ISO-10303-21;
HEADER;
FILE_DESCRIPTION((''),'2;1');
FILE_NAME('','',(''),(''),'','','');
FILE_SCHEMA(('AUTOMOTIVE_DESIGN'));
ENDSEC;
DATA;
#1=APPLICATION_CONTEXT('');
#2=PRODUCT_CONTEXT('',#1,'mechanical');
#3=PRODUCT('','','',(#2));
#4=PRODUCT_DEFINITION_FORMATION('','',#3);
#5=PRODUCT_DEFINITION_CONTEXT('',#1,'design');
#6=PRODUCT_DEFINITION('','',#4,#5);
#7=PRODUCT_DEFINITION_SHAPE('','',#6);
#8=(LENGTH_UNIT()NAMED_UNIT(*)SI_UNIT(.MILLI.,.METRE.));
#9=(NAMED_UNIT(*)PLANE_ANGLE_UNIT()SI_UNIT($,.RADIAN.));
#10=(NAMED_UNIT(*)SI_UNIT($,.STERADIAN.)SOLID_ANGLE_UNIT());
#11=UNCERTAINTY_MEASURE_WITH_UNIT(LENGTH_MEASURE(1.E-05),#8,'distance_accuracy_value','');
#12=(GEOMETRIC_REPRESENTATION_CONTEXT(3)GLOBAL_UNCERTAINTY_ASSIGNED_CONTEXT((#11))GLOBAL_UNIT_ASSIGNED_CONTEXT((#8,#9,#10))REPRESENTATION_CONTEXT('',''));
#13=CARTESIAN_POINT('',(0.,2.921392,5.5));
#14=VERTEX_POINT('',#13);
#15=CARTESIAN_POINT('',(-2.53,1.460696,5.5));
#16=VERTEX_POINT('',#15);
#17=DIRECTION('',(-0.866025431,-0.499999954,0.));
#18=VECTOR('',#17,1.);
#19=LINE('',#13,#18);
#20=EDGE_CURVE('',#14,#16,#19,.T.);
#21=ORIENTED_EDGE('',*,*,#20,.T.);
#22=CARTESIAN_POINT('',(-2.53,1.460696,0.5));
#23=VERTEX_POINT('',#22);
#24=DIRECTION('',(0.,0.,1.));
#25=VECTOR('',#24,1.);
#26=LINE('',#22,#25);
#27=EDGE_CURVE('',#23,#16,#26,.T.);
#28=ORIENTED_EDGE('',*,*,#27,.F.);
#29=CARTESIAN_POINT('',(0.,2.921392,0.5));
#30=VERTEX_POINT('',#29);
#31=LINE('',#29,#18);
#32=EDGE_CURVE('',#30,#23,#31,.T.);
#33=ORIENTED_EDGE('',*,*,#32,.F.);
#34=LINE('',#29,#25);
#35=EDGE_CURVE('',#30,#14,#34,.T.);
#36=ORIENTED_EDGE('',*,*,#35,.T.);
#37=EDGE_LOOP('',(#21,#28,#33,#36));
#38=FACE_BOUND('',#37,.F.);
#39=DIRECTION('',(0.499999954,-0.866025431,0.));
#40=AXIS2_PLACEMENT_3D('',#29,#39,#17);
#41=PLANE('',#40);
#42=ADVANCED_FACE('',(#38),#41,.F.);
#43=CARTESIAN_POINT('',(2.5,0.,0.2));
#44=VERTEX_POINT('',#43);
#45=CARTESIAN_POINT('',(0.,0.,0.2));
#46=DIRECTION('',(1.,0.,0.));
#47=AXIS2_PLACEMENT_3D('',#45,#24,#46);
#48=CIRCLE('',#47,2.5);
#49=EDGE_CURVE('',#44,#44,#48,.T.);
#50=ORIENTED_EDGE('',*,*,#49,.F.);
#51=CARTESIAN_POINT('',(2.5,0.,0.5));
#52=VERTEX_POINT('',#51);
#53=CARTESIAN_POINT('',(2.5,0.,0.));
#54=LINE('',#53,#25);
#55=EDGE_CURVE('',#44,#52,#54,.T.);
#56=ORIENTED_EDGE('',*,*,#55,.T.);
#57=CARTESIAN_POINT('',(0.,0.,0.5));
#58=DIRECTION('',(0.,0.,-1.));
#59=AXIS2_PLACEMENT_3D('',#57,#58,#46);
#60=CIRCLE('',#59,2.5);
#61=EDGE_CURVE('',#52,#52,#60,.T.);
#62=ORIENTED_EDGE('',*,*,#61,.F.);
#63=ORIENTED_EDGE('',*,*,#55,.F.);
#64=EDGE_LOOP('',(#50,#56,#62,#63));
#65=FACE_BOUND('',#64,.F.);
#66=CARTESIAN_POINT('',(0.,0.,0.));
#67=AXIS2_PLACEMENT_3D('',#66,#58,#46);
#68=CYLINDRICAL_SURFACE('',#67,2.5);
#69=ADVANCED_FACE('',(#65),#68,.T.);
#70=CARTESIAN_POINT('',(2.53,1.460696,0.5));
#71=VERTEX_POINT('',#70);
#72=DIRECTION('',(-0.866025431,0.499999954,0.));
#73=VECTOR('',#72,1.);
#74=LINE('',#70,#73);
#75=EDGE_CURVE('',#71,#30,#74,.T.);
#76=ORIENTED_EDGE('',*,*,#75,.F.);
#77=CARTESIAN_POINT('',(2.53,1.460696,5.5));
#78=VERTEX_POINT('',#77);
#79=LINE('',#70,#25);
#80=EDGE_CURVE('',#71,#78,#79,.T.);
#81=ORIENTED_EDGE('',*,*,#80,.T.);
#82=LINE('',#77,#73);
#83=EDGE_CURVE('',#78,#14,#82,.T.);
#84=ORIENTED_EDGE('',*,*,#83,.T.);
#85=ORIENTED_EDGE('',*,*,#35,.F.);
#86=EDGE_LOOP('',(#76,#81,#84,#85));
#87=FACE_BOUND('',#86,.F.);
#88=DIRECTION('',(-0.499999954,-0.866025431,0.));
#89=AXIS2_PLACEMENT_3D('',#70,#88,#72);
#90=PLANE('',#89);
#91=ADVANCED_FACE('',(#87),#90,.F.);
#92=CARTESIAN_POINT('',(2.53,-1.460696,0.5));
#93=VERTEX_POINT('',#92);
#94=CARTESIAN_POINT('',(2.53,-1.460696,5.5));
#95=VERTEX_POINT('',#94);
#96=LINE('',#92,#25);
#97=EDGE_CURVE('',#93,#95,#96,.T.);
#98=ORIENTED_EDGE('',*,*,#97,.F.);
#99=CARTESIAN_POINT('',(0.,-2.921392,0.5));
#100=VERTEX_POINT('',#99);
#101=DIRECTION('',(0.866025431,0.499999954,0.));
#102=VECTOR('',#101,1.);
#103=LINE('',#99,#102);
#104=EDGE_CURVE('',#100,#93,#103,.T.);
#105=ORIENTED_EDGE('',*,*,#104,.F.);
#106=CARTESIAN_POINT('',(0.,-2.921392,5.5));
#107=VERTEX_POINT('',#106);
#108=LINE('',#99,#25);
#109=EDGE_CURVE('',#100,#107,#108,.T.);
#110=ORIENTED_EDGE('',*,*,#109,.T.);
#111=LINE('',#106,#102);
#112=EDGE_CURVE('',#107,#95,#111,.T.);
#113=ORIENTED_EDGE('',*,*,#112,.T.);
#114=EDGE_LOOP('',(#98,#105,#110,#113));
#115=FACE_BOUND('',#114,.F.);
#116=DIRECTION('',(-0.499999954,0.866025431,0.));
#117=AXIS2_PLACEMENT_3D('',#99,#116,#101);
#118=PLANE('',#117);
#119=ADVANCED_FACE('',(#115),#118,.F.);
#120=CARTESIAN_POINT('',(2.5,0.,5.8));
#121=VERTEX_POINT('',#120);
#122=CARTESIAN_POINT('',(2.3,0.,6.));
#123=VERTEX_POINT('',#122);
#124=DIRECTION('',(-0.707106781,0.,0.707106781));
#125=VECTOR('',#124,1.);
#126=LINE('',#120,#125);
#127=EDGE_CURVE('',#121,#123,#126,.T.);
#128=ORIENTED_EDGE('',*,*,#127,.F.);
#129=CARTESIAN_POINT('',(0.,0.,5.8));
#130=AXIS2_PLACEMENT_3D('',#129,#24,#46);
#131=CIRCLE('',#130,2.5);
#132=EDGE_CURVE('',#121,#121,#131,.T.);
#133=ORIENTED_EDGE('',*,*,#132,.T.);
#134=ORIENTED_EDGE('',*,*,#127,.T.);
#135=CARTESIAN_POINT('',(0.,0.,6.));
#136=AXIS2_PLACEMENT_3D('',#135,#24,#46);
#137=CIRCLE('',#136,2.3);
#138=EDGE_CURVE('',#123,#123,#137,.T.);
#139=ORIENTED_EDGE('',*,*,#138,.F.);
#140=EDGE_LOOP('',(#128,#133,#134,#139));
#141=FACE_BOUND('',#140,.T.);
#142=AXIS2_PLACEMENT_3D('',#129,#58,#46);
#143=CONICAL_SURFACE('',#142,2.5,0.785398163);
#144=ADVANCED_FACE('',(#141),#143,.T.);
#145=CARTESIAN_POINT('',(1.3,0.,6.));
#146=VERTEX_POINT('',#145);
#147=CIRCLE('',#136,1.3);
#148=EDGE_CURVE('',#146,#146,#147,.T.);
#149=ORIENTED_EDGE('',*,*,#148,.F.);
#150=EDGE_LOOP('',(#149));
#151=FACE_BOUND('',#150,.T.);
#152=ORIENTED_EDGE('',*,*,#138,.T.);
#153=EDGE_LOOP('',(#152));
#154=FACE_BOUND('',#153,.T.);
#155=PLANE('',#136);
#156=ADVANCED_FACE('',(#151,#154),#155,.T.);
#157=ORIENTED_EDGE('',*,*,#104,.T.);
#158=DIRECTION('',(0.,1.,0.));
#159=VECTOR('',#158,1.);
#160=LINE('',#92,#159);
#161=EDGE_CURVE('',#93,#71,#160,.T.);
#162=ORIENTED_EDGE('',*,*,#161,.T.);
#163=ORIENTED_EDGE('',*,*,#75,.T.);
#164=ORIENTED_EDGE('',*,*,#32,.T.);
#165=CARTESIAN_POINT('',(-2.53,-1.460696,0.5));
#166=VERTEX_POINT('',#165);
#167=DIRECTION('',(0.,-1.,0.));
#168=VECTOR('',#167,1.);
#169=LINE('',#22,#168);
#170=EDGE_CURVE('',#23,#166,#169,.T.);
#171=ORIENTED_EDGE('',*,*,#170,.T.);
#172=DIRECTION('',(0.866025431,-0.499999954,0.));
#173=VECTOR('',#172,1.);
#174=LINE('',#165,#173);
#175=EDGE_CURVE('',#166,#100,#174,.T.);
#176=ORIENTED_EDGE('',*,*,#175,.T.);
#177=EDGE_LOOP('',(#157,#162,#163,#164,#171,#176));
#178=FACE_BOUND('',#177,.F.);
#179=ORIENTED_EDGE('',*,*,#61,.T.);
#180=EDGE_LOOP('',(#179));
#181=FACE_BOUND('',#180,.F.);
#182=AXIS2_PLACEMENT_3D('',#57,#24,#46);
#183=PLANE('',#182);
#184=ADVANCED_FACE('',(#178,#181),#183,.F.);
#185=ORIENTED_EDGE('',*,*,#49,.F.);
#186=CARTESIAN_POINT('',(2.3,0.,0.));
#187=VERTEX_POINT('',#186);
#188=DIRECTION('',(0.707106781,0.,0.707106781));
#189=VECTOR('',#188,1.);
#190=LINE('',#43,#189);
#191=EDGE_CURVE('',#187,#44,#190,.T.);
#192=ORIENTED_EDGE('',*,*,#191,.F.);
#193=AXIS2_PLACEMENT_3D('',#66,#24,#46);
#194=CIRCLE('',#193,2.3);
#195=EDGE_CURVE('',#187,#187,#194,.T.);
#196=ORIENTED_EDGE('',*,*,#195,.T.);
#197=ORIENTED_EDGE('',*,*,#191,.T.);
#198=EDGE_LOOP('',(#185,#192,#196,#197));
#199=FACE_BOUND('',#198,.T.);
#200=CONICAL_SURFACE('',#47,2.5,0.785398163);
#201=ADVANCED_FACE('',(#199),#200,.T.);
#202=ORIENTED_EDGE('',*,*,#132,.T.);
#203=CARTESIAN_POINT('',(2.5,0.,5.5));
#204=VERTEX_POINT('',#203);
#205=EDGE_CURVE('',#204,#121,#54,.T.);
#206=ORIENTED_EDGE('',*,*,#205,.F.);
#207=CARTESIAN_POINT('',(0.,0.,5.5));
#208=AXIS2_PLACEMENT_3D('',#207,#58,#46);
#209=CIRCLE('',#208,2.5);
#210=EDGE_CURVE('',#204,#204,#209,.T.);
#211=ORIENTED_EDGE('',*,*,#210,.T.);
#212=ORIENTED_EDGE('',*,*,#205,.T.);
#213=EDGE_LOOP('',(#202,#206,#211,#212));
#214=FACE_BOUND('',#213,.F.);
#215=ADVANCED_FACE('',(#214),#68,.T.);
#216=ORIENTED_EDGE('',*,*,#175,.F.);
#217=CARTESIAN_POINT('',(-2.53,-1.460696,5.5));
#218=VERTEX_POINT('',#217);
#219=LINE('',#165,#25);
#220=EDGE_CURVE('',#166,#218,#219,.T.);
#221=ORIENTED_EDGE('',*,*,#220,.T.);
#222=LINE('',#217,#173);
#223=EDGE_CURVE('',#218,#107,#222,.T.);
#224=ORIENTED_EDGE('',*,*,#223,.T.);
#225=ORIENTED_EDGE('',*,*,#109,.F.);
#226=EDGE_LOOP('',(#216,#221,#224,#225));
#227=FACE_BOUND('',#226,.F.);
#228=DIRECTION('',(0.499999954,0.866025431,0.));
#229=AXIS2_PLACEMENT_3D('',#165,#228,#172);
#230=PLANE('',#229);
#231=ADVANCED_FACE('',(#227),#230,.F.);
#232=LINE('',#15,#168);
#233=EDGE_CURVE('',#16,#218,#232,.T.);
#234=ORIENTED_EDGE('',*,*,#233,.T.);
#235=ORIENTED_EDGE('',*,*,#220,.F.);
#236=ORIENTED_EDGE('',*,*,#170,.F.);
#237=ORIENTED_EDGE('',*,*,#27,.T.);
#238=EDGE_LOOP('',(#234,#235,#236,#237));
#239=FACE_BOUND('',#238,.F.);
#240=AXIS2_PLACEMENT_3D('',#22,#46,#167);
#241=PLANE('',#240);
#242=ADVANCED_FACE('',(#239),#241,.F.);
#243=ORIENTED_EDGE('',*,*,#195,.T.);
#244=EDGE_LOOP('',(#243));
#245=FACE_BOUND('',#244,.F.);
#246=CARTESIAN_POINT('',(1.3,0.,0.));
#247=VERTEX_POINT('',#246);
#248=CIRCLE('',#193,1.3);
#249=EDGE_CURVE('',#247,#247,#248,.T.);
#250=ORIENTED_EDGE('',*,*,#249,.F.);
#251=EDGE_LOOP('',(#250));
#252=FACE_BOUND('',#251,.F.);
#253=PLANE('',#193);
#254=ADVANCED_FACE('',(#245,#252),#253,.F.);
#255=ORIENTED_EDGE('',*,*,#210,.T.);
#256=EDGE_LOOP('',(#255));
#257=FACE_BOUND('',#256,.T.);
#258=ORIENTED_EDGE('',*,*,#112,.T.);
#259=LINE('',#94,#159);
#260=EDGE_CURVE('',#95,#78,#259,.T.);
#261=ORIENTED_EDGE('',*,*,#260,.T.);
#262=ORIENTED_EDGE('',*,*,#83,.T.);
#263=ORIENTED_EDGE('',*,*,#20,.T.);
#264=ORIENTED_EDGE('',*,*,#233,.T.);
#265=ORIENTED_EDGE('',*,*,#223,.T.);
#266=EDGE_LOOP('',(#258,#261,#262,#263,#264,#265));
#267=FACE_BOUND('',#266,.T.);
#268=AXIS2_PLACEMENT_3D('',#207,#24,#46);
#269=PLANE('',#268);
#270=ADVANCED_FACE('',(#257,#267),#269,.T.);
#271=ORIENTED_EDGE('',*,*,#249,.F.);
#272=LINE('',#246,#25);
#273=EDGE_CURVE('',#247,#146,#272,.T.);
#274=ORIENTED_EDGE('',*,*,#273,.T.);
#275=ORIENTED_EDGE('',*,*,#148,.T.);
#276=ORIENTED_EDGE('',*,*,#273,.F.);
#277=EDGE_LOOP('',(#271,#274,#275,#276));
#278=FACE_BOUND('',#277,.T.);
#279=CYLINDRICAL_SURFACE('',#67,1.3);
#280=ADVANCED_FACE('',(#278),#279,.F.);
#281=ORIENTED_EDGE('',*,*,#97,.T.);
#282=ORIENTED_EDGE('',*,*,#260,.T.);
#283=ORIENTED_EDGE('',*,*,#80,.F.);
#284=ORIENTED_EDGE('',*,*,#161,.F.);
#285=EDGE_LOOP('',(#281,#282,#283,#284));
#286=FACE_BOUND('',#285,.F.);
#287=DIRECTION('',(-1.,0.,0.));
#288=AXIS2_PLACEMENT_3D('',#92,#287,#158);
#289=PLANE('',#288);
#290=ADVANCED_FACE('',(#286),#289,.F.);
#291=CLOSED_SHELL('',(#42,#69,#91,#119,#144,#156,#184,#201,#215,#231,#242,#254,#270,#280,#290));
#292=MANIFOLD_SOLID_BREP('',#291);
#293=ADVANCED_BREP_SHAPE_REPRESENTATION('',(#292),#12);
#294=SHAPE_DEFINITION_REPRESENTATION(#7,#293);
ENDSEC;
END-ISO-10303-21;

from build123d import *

# Parameters (mm, degrees)
SKETCH001_R   = 2.5
SKETCH001_R_2 = 1.3
PAD001_DEPTH  = 6
SKETCH002_R   = 1.3
PAD002_DEPTH  = 5
CHAMFER_SIZE  = 0.2


with BuildPart() as part:
    # Sketch001 → Pad001 (new body)
    with BuildSketch(Plane.XY):
        Circle(SKETCH001_R)
        Circle(SKETCH001_R_2, mode=Mode.SUBTRACT)
    extrude(amount=PAD001_DEPTH)

    # Sketch002 → Pad002 (join)
    with BuildSketch(Plane.XY.offset(0.5)):
        Polygon((2.53, -1.460696), (2.53, 1.460696), (0, 2.921392), (-2.53, 1.460696), (-2.53, -1.460696), (0, -2.921392), align=None)
        Circle(SKETCH002_R, mode=Mode.SUBTRACT)
    extrude(amount=PAD002_DEPTH)

    # Chamfer
    chamfer_edges = [part.edges().sort_by_distance(p)[0] for p in [
        (-2.5, 0, 6),
        (-2.5, 0, 0),
    ]]
    chamfer(chamfer_edges, length=CHAMFER_SIZE)


solid = part.part
